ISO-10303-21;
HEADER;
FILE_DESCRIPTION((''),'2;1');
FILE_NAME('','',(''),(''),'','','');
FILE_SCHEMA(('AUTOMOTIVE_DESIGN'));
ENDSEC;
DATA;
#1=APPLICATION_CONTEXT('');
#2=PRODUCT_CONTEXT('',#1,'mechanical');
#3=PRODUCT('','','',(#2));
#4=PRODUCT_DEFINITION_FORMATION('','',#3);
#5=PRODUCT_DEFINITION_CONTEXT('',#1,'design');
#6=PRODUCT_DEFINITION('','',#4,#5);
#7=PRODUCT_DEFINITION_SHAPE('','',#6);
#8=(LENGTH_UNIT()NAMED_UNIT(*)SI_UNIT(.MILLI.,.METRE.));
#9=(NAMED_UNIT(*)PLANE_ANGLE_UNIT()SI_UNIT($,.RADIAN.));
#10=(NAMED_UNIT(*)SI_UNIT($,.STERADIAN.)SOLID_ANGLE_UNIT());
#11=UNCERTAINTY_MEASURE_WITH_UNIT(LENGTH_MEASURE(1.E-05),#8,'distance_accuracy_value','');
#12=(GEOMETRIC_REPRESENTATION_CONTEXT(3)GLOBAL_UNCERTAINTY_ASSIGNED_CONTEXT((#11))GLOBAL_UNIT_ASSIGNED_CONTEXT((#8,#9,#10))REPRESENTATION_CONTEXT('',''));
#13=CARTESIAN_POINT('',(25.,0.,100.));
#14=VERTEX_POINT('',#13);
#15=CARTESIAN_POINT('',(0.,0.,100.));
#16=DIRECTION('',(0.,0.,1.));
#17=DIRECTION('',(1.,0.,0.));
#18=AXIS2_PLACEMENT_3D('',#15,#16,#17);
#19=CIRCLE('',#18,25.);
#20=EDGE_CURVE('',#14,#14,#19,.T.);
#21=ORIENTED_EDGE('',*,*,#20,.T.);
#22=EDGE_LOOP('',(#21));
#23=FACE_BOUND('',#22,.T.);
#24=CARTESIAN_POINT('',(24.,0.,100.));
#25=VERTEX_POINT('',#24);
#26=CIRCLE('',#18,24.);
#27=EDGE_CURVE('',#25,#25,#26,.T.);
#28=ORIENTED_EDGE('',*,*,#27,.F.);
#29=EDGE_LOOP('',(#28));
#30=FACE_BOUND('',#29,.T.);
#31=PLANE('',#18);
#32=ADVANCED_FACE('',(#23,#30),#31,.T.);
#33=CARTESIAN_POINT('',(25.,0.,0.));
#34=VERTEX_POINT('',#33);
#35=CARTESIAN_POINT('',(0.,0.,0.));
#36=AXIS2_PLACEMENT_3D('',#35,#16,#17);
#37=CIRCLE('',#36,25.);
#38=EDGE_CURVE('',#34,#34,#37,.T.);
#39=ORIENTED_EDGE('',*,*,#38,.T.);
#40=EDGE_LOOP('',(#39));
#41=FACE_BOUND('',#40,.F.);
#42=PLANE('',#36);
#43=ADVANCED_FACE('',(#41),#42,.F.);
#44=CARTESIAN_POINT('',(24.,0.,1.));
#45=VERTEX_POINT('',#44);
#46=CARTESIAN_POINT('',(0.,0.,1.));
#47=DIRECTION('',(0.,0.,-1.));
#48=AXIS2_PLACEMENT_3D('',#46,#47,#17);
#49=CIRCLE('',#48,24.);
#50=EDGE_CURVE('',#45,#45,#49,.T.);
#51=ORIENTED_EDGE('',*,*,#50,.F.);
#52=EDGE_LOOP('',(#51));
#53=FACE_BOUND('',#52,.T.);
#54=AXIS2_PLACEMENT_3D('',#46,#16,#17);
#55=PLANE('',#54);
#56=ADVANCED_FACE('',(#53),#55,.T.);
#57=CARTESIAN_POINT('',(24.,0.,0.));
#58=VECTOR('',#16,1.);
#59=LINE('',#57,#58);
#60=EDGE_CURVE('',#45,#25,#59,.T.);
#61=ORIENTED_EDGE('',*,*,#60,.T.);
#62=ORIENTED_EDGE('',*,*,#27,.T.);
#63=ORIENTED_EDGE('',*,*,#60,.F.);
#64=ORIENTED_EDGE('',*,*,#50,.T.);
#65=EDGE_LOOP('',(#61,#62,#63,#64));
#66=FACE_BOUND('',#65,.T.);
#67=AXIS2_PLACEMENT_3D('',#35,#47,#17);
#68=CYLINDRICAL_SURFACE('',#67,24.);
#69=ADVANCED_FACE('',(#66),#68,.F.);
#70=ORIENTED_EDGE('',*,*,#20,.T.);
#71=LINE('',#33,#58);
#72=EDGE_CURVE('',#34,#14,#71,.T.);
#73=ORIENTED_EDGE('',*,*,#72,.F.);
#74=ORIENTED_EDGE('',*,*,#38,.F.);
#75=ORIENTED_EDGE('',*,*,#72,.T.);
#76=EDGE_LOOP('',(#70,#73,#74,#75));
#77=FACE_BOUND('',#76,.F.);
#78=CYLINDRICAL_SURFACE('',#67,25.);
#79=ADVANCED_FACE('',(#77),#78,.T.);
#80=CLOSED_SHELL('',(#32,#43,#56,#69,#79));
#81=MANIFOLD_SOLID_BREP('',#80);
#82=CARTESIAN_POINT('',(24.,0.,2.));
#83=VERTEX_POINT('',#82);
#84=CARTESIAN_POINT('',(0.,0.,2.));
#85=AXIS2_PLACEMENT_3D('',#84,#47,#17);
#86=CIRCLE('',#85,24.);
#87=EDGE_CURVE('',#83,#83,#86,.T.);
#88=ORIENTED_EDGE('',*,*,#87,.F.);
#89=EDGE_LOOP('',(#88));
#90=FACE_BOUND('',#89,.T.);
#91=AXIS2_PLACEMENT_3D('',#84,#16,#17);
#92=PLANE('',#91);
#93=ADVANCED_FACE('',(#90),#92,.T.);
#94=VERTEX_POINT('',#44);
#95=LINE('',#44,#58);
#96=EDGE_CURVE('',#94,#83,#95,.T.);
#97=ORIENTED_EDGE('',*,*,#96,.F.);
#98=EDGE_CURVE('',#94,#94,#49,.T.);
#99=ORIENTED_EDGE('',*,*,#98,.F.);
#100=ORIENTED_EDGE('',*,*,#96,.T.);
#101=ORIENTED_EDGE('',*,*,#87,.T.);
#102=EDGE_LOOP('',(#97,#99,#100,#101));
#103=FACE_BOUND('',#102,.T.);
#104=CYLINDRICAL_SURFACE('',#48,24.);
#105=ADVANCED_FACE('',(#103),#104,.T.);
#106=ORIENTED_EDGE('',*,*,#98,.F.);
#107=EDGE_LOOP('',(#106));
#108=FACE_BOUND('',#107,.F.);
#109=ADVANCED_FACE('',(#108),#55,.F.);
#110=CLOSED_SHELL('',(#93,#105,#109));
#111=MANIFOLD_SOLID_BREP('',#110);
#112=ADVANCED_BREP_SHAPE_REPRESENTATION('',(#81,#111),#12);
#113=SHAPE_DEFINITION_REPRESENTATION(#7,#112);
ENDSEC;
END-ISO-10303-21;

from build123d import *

# Parameters (mm, degrees)
F0_R     = 25
F1_DEPTH = 100
F2_T     = -1
F3_DEPTH = 1
F4_W     = 3
F4_H     = 3
F5_DEPTH = 5


with BuildPart() as f1:
    # F0 (on Top) → F1 (new body)
    with BuildSketch(Plane.XY):
        Circle(F0_R)
    extrude(amount=F1_DEPTH)

    # F2
    f2_openings = [f1.faces().sort_by_distance(p)[0] for p in [
        (0, 0, 100),
    ]]
    offset(amount=F2_T, openings=f2_openings)


with BuildPart() as f3:
    # F3 (new): a face of the model
    f3_faces = [f1.part.faces().sort_by_distance(p)[0] for p in [
        (0, 0, 1),
    ]]
    extrude(f3_faces, amount=F3_DEPTH)


with BuildPart() as f5:
    # F4 (on Front) → F5 (new body)
    with BuildSketch(Plane.XZ):
        with Locations((0, 4.0237640916)):
            Rectangle(F4_W, F4_H)
    extrude(amount=F5_DEPTH)


solid = Compound([f1.part, f3.part])
